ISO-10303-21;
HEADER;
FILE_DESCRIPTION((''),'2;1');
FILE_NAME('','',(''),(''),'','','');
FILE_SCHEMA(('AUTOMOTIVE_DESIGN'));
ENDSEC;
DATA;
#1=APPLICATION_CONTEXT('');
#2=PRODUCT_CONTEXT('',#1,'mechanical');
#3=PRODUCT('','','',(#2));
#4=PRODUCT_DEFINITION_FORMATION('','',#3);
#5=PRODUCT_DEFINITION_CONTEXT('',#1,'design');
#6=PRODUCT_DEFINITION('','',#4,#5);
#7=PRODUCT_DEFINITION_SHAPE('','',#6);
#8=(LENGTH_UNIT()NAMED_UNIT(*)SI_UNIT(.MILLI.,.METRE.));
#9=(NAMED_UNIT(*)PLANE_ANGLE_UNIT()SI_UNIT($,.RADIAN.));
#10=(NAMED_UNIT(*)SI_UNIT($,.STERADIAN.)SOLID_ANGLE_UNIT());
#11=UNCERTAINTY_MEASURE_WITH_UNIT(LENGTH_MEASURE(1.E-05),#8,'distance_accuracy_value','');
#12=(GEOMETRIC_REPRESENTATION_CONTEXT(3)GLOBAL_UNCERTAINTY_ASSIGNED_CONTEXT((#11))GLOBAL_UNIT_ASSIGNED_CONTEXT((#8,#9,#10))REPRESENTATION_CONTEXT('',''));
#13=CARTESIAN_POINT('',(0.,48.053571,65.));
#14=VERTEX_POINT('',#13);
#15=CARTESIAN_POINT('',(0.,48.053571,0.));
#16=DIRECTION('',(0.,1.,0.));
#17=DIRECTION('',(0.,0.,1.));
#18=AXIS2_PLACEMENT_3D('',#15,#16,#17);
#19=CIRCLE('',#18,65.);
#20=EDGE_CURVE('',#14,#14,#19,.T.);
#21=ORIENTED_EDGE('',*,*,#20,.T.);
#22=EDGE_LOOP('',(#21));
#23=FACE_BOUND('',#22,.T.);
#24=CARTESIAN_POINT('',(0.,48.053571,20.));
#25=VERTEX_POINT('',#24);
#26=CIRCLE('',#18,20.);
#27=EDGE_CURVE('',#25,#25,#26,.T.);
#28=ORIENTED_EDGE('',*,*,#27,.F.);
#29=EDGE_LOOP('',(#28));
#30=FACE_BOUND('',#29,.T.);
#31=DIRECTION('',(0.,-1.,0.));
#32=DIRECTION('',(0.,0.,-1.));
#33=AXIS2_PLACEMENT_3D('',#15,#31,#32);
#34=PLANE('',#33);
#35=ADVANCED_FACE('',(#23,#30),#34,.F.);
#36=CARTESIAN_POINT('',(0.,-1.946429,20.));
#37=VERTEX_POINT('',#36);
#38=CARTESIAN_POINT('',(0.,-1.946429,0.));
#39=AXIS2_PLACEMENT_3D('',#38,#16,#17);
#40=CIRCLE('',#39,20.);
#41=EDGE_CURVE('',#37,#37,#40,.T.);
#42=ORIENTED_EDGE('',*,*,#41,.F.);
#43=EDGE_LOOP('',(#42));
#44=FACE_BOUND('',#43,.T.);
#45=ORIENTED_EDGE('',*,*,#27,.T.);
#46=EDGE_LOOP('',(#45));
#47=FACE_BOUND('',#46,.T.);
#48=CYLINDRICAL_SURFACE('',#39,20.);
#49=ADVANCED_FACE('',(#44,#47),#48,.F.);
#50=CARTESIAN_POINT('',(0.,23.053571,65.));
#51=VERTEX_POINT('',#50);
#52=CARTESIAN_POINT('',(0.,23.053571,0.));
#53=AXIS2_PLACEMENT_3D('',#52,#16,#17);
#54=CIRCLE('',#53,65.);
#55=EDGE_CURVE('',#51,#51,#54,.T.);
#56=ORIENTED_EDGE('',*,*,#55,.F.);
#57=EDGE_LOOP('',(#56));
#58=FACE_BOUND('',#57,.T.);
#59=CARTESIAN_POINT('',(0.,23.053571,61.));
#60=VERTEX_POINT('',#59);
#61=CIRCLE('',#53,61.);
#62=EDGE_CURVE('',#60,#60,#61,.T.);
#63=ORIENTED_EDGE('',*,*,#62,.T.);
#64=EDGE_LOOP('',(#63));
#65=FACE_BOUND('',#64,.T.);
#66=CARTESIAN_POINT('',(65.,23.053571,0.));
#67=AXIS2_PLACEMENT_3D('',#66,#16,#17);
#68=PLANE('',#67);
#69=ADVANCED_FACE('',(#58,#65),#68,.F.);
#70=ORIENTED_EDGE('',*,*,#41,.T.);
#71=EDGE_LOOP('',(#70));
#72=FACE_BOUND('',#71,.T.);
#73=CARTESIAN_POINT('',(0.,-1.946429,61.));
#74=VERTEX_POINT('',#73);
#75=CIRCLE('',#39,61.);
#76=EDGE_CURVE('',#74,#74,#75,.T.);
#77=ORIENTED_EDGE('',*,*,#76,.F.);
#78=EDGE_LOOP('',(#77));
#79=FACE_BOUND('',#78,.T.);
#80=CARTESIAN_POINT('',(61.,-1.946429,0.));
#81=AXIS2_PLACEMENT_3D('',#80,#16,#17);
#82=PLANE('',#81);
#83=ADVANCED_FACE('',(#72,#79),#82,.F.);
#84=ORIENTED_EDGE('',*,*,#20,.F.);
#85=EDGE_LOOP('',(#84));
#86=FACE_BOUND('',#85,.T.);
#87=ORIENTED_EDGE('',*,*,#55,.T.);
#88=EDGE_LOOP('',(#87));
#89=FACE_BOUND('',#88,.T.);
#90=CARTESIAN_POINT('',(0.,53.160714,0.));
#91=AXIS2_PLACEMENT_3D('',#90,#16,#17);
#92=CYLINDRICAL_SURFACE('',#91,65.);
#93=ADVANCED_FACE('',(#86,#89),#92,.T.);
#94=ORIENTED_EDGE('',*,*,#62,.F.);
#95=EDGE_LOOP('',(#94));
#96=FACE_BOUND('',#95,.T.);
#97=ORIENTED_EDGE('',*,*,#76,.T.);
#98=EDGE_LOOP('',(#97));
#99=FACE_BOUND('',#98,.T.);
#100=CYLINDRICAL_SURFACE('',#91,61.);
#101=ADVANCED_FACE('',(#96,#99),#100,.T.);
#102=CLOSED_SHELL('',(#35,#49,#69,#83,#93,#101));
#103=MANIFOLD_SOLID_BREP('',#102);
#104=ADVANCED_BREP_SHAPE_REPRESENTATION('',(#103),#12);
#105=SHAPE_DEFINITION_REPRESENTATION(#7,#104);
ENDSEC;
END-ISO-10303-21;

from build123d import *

# Parameters (mm, degrees)
SKETCH2_R          = 20
CUT_EXTRUDE1_DEPTH = 105.642247682


with BuildPart() as part:
    # Sketch1 → Revolve1 (revolve)
    with BuildSketch(Plane.XY, mode=Mode.PRIVATE) as revolve1_sk:
        Polygon((0, 48.053571429), (65, 48.053571429), (65, 23.053571429), (61, 23.053571429), (61, -1.946428571), (0, -1.946428571), align=None)
    revolve(revolve1_sk.sketch.rotate(Axis((0, 53.160714286, 0), (0, -1, 0)), 90), axis=Axis((0, 53.160714286, 0), (0, -1, 0)))

    # Sketch2 → Cut-Extrude1 (cut, through all)
    with BuildSketch(Plane(origin=(0, 48.053571429, 0), x_dir=(1, 0, 0), z_dir=(0, 1, 0))):
        with Locations(Location((0, 0, 0), (0, 0, 270))):
            Circle(SKETCH2_R)
    extrude(amount=-CUT_EXTRUDE1_DEPTH, mode=Mode.SUBTRACT)


solid = part.part
